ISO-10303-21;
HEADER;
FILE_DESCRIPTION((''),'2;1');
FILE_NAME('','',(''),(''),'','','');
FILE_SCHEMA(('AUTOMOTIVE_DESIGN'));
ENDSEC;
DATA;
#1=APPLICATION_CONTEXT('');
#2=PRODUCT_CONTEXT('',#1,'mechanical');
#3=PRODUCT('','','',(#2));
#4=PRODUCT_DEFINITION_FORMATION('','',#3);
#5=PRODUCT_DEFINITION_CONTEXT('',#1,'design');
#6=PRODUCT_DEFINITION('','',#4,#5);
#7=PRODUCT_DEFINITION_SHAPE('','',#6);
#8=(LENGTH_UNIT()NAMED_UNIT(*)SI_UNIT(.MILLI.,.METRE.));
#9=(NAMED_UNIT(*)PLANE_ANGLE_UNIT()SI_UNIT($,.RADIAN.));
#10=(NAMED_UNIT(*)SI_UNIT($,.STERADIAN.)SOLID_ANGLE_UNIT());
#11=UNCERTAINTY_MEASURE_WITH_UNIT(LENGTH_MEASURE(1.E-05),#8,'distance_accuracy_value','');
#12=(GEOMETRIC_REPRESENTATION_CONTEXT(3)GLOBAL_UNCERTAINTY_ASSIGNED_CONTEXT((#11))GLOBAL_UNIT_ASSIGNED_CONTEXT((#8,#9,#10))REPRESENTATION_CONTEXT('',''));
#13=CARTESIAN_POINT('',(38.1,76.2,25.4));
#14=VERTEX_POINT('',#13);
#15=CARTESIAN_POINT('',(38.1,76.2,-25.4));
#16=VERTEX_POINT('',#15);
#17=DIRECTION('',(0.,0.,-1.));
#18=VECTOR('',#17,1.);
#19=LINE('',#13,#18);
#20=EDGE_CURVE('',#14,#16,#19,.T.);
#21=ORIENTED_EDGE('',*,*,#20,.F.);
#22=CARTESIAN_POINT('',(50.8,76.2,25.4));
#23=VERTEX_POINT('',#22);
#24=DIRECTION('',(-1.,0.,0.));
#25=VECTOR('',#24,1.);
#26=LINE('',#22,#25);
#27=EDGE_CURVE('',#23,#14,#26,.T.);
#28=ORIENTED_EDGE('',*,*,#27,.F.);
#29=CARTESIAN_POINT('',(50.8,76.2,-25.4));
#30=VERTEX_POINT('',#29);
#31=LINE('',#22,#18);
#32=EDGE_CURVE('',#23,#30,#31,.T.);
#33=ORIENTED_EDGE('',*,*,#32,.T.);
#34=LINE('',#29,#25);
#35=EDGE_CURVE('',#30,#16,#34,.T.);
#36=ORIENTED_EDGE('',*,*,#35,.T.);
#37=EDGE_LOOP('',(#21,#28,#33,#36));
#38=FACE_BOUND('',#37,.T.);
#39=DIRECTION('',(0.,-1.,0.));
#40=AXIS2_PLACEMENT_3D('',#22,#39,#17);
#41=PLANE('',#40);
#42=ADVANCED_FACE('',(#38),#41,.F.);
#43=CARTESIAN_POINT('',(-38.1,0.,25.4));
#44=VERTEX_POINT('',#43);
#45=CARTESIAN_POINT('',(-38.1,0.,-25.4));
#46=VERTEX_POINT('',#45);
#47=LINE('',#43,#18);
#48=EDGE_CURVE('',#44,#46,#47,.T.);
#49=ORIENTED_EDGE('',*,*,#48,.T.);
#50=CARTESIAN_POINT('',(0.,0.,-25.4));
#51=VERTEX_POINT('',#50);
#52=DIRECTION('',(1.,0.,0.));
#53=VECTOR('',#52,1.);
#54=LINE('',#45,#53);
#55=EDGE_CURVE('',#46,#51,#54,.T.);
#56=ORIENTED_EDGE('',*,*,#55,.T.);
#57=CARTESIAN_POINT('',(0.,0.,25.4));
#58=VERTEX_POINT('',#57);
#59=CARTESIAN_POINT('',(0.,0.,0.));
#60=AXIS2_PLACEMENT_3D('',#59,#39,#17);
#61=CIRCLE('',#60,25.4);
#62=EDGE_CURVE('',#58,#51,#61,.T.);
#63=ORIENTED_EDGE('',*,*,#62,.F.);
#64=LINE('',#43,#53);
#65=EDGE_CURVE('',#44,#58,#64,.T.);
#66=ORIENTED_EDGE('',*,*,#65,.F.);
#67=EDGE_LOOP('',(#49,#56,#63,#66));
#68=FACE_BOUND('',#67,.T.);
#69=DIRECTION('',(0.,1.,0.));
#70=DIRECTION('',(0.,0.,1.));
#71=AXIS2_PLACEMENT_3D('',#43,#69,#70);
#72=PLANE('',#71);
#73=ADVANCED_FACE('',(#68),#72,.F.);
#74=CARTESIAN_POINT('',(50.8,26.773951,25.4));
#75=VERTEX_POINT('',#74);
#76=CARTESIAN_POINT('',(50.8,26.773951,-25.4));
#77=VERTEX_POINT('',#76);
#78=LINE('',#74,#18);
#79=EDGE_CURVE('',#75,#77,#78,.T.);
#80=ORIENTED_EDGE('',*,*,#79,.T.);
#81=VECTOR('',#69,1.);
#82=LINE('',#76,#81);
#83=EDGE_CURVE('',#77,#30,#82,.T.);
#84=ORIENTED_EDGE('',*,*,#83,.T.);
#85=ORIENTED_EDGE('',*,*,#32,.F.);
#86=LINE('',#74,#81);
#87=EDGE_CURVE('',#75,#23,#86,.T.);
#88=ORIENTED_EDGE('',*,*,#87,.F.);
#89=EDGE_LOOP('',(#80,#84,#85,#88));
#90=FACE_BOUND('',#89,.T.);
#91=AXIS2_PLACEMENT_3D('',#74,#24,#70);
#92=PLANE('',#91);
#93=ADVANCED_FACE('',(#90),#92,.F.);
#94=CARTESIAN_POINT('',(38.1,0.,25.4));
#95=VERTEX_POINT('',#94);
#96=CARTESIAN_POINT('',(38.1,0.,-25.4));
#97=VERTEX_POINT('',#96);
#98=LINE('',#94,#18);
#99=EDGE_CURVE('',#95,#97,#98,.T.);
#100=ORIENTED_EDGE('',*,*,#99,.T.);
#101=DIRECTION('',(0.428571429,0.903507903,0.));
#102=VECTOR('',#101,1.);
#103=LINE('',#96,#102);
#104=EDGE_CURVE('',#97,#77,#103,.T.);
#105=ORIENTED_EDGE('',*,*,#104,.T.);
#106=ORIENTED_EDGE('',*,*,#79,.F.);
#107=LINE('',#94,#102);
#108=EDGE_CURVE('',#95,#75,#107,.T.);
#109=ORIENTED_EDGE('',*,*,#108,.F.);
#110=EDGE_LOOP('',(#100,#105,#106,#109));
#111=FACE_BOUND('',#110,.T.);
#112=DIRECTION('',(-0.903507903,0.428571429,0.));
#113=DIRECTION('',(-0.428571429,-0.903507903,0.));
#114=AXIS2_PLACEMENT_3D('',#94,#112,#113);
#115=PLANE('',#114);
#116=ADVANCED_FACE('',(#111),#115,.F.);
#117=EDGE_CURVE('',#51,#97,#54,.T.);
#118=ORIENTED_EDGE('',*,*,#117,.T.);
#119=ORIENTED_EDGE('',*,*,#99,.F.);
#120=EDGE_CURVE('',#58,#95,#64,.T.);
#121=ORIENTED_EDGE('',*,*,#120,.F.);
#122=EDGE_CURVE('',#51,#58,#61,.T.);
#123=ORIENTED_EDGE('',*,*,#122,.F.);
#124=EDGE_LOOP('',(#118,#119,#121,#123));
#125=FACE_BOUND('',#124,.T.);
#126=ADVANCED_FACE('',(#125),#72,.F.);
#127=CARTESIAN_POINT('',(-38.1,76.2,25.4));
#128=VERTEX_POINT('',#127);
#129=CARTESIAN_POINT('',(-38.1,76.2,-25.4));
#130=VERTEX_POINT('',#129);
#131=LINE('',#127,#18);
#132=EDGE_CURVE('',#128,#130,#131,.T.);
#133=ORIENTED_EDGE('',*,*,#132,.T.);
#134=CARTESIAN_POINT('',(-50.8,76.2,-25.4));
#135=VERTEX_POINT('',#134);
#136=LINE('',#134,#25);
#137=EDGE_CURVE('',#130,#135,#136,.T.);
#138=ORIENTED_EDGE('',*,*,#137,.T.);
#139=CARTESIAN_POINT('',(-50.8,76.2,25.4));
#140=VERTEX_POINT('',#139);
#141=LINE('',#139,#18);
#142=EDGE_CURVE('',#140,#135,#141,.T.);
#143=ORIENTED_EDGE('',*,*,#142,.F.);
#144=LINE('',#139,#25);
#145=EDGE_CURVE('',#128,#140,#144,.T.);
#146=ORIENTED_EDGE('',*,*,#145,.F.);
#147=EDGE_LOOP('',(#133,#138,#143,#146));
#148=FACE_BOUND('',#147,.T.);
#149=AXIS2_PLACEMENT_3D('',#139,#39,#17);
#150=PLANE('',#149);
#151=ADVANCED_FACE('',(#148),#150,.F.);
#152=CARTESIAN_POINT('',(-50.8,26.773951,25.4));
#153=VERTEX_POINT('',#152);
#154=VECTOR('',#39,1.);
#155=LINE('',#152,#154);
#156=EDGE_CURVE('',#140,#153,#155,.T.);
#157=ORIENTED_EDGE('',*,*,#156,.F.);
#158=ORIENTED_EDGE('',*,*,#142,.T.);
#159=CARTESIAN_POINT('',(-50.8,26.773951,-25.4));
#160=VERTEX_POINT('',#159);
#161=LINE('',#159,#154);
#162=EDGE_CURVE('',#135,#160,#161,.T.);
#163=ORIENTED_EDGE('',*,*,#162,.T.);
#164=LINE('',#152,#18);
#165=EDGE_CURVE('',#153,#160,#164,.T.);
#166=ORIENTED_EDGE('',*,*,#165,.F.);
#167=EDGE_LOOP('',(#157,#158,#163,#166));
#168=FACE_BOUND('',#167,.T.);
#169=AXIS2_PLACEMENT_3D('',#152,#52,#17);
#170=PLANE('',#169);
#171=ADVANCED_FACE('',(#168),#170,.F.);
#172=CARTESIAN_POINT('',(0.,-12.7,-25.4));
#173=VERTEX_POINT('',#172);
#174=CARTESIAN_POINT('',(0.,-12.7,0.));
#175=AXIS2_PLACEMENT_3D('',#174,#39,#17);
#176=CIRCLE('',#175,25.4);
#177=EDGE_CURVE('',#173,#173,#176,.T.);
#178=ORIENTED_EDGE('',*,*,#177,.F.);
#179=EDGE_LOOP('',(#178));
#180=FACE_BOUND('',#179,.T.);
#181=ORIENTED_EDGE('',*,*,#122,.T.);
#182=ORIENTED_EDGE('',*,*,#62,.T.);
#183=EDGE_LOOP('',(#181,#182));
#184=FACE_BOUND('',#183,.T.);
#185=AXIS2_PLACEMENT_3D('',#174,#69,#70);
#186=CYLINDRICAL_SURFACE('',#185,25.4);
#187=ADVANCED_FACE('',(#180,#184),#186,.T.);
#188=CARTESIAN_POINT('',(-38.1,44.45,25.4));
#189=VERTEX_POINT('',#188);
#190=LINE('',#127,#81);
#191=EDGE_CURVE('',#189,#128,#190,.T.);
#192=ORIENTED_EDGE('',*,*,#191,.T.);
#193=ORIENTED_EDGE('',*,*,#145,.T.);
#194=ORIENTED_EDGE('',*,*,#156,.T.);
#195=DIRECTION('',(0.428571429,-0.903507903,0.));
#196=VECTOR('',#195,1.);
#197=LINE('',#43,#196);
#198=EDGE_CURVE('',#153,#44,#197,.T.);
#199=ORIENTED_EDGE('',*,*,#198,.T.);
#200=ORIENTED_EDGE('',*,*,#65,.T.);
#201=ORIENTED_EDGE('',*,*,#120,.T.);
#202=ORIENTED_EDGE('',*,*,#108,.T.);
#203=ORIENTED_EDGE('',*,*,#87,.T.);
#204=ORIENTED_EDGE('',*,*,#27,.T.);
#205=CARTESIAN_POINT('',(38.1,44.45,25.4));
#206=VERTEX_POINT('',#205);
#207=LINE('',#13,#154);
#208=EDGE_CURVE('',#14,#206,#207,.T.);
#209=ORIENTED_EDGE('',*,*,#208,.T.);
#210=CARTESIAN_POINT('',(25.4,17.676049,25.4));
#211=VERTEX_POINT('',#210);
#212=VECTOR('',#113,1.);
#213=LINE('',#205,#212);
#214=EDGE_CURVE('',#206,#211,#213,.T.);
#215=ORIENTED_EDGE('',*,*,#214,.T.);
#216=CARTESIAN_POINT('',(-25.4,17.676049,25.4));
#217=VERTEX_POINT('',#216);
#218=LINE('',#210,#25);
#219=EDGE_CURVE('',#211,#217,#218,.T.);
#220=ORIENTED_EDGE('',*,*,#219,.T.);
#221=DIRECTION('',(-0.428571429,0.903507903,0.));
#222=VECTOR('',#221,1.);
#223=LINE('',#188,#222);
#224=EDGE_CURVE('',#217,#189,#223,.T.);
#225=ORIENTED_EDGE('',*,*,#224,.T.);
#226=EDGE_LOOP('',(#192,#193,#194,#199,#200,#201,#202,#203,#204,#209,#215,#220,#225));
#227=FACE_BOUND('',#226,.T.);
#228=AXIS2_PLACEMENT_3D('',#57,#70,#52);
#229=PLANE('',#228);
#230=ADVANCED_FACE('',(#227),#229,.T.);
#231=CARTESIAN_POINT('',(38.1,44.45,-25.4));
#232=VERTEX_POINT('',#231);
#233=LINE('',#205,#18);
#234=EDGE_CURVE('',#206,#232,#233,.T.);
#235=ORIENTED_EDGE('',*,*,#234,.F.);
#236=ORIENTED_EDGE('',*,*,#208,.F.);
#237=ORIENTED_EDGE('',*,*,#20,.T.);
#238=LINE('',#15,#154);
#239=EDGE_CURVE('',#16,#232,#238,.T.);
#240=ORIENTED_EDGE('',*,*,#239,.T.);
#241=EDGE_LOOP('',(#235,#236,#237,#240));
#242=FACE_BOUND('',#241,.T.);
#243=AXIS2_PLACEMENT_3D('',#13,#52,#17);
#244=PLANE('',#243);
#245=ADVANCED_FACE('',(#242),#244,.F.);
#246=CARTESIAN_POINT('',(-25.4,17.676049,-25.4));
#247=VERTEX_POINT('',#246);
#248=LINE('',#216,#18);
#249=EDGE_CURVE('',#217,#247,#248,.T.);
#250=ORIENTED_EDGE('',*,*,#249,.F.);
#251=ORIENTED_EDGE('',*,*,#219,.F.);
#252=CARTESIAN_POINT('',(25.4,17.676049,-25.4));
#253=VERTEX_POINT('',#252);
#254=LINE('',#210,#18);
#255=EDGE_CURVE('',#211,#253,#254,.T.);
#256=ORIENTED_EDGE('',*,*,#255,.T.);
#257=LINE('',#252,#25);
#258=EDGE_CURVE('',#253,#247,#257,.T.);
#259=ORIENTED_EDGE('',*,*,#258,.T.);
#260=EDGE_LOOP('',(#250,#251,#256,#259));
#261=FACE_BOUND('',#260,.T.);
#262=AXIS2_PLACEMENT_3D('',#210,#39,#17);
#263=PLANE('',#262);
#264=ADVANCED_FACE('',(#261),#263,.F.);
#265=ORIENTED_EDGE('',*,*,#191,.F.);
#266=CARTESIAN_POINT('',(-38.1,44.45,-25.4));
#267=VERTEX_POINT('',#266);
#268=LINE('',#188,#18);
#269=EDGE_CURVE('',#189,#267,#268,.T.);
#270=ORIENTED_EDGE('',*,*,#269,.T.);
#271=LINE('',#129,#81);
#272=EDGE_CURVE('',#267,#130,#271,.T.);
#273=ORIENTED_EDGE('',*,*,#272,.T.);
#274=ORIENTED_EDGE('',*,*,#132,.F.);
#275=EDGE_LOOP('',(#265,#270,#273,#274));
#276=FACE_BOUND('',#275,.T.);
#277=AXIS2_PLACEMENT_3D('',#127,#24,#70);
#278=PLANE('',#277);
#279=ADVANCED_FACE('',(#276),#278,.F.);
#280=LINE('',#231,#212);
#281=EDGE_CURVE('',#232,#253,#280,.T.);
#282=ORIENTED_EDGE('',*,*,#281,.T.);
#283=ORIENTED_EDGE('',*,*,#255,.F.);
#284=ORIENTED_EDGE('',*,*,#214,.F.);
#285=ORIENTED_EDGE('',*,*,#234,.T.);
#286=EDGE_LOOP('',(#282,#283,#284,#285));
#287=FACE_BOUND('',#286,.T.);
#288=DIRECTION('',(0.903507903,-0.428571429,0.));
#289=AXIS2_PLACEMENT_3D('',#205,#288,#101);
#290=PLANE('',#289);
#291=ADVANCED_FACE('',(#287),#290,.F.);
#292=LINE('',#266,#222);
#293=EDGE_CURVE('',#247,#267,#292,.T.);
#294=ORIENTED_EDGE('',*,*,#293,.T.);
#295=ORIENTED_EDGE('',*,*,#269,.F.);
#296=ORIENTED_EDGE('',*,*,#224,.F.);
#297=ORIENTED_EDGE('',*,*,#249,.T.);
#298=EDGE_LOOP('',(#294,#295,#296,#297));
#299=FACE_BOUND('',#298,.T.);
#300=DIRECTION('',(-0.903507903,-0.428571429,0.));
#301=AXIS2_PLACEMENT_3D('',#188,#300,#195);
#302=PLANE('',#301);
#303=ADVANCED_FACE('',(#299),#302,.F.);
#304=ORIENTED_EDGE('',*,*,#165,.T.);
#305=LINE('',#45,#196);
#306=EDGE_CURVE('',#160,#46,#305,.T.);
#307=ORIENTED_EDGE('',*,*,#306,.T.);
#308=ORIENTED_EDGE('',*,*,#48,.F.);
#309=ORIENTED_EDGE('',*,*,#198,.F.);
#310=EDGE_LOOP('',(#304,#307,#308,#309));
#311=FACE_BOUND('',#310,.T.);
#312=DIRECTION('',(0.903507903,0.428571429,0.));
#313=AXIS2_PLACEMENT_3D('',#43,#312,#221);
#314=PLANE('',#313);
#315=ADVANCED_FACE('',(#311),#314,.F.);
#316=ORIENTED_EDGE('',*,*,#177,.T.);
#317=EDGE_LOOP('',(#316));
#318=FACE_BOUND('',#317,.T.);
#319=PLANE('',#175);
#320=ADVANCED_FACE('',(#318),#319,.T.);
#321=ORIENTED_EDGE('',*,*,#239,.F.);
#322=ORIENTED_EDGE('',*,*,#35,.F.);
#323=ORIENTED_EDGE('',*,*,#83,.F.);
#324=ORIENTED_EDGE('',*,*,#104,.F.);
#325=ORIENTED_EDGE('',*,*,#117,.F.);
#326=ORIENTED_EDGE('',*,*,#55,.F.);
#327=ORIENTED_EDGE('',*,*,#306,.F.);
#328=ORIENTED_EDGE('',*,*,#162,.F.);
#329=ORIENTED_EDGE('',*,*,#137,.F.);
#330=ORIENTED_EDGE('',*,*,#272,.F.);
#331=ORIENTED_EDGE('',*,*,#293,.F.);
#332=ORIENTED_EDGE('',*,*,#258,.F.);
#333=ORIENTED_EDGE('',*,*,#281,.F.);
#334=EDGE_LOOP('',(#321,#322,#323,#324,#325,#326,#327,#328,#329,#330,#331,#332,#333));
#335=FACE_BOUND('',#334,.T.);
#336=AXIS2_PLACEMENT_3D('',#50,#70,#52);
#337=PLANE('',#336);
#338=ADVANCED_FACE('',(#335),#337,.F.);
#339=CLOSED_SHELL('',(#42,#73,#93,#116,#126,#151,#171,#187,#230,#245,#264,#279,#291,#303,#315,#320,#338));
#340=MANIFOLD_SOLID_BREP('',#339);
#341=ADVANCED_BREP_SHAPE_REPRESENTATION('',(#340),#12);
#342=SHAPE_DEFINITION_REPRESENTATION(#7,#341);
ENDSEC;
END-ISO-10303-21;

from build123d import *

# Parameters (mm, degrees)
BOSS_EXTRUDE1_DEPTH = 25.4
SKETCH2_R           = 25.4
BOSS_EXTRUDE2_DEPTH = 12.7


with BuildPart() as part:
    # Sketch1 → Boss-Extrude1 (new body, symmetric)
    with BuildSketch(Plane.XY):
        Polygon((-38.1, 0), (38.1, 0), (50.8, 26.773950856), (50.8, 76.2), (38.1, 76.2), (38.1, 44.45), (25.4, 17.676049144), (-25.4, 17.676049144), (-38.1, 44.45), (-38.1, 76.2), (-50.8, 76.2), (-50.8, 26.773950856), align=None)
    extrude(amount=BOSS_EXTRUDE1_DEPTH, both=True)

    # Sketch2 → Boss-Extrude2 (add)
    with BuildSketch(Plane.XZ):
        Circle(SKETCH2_R)
    extrude(amount=BOSS_EXTRUDE2_DEPTH)


solid = part.part
